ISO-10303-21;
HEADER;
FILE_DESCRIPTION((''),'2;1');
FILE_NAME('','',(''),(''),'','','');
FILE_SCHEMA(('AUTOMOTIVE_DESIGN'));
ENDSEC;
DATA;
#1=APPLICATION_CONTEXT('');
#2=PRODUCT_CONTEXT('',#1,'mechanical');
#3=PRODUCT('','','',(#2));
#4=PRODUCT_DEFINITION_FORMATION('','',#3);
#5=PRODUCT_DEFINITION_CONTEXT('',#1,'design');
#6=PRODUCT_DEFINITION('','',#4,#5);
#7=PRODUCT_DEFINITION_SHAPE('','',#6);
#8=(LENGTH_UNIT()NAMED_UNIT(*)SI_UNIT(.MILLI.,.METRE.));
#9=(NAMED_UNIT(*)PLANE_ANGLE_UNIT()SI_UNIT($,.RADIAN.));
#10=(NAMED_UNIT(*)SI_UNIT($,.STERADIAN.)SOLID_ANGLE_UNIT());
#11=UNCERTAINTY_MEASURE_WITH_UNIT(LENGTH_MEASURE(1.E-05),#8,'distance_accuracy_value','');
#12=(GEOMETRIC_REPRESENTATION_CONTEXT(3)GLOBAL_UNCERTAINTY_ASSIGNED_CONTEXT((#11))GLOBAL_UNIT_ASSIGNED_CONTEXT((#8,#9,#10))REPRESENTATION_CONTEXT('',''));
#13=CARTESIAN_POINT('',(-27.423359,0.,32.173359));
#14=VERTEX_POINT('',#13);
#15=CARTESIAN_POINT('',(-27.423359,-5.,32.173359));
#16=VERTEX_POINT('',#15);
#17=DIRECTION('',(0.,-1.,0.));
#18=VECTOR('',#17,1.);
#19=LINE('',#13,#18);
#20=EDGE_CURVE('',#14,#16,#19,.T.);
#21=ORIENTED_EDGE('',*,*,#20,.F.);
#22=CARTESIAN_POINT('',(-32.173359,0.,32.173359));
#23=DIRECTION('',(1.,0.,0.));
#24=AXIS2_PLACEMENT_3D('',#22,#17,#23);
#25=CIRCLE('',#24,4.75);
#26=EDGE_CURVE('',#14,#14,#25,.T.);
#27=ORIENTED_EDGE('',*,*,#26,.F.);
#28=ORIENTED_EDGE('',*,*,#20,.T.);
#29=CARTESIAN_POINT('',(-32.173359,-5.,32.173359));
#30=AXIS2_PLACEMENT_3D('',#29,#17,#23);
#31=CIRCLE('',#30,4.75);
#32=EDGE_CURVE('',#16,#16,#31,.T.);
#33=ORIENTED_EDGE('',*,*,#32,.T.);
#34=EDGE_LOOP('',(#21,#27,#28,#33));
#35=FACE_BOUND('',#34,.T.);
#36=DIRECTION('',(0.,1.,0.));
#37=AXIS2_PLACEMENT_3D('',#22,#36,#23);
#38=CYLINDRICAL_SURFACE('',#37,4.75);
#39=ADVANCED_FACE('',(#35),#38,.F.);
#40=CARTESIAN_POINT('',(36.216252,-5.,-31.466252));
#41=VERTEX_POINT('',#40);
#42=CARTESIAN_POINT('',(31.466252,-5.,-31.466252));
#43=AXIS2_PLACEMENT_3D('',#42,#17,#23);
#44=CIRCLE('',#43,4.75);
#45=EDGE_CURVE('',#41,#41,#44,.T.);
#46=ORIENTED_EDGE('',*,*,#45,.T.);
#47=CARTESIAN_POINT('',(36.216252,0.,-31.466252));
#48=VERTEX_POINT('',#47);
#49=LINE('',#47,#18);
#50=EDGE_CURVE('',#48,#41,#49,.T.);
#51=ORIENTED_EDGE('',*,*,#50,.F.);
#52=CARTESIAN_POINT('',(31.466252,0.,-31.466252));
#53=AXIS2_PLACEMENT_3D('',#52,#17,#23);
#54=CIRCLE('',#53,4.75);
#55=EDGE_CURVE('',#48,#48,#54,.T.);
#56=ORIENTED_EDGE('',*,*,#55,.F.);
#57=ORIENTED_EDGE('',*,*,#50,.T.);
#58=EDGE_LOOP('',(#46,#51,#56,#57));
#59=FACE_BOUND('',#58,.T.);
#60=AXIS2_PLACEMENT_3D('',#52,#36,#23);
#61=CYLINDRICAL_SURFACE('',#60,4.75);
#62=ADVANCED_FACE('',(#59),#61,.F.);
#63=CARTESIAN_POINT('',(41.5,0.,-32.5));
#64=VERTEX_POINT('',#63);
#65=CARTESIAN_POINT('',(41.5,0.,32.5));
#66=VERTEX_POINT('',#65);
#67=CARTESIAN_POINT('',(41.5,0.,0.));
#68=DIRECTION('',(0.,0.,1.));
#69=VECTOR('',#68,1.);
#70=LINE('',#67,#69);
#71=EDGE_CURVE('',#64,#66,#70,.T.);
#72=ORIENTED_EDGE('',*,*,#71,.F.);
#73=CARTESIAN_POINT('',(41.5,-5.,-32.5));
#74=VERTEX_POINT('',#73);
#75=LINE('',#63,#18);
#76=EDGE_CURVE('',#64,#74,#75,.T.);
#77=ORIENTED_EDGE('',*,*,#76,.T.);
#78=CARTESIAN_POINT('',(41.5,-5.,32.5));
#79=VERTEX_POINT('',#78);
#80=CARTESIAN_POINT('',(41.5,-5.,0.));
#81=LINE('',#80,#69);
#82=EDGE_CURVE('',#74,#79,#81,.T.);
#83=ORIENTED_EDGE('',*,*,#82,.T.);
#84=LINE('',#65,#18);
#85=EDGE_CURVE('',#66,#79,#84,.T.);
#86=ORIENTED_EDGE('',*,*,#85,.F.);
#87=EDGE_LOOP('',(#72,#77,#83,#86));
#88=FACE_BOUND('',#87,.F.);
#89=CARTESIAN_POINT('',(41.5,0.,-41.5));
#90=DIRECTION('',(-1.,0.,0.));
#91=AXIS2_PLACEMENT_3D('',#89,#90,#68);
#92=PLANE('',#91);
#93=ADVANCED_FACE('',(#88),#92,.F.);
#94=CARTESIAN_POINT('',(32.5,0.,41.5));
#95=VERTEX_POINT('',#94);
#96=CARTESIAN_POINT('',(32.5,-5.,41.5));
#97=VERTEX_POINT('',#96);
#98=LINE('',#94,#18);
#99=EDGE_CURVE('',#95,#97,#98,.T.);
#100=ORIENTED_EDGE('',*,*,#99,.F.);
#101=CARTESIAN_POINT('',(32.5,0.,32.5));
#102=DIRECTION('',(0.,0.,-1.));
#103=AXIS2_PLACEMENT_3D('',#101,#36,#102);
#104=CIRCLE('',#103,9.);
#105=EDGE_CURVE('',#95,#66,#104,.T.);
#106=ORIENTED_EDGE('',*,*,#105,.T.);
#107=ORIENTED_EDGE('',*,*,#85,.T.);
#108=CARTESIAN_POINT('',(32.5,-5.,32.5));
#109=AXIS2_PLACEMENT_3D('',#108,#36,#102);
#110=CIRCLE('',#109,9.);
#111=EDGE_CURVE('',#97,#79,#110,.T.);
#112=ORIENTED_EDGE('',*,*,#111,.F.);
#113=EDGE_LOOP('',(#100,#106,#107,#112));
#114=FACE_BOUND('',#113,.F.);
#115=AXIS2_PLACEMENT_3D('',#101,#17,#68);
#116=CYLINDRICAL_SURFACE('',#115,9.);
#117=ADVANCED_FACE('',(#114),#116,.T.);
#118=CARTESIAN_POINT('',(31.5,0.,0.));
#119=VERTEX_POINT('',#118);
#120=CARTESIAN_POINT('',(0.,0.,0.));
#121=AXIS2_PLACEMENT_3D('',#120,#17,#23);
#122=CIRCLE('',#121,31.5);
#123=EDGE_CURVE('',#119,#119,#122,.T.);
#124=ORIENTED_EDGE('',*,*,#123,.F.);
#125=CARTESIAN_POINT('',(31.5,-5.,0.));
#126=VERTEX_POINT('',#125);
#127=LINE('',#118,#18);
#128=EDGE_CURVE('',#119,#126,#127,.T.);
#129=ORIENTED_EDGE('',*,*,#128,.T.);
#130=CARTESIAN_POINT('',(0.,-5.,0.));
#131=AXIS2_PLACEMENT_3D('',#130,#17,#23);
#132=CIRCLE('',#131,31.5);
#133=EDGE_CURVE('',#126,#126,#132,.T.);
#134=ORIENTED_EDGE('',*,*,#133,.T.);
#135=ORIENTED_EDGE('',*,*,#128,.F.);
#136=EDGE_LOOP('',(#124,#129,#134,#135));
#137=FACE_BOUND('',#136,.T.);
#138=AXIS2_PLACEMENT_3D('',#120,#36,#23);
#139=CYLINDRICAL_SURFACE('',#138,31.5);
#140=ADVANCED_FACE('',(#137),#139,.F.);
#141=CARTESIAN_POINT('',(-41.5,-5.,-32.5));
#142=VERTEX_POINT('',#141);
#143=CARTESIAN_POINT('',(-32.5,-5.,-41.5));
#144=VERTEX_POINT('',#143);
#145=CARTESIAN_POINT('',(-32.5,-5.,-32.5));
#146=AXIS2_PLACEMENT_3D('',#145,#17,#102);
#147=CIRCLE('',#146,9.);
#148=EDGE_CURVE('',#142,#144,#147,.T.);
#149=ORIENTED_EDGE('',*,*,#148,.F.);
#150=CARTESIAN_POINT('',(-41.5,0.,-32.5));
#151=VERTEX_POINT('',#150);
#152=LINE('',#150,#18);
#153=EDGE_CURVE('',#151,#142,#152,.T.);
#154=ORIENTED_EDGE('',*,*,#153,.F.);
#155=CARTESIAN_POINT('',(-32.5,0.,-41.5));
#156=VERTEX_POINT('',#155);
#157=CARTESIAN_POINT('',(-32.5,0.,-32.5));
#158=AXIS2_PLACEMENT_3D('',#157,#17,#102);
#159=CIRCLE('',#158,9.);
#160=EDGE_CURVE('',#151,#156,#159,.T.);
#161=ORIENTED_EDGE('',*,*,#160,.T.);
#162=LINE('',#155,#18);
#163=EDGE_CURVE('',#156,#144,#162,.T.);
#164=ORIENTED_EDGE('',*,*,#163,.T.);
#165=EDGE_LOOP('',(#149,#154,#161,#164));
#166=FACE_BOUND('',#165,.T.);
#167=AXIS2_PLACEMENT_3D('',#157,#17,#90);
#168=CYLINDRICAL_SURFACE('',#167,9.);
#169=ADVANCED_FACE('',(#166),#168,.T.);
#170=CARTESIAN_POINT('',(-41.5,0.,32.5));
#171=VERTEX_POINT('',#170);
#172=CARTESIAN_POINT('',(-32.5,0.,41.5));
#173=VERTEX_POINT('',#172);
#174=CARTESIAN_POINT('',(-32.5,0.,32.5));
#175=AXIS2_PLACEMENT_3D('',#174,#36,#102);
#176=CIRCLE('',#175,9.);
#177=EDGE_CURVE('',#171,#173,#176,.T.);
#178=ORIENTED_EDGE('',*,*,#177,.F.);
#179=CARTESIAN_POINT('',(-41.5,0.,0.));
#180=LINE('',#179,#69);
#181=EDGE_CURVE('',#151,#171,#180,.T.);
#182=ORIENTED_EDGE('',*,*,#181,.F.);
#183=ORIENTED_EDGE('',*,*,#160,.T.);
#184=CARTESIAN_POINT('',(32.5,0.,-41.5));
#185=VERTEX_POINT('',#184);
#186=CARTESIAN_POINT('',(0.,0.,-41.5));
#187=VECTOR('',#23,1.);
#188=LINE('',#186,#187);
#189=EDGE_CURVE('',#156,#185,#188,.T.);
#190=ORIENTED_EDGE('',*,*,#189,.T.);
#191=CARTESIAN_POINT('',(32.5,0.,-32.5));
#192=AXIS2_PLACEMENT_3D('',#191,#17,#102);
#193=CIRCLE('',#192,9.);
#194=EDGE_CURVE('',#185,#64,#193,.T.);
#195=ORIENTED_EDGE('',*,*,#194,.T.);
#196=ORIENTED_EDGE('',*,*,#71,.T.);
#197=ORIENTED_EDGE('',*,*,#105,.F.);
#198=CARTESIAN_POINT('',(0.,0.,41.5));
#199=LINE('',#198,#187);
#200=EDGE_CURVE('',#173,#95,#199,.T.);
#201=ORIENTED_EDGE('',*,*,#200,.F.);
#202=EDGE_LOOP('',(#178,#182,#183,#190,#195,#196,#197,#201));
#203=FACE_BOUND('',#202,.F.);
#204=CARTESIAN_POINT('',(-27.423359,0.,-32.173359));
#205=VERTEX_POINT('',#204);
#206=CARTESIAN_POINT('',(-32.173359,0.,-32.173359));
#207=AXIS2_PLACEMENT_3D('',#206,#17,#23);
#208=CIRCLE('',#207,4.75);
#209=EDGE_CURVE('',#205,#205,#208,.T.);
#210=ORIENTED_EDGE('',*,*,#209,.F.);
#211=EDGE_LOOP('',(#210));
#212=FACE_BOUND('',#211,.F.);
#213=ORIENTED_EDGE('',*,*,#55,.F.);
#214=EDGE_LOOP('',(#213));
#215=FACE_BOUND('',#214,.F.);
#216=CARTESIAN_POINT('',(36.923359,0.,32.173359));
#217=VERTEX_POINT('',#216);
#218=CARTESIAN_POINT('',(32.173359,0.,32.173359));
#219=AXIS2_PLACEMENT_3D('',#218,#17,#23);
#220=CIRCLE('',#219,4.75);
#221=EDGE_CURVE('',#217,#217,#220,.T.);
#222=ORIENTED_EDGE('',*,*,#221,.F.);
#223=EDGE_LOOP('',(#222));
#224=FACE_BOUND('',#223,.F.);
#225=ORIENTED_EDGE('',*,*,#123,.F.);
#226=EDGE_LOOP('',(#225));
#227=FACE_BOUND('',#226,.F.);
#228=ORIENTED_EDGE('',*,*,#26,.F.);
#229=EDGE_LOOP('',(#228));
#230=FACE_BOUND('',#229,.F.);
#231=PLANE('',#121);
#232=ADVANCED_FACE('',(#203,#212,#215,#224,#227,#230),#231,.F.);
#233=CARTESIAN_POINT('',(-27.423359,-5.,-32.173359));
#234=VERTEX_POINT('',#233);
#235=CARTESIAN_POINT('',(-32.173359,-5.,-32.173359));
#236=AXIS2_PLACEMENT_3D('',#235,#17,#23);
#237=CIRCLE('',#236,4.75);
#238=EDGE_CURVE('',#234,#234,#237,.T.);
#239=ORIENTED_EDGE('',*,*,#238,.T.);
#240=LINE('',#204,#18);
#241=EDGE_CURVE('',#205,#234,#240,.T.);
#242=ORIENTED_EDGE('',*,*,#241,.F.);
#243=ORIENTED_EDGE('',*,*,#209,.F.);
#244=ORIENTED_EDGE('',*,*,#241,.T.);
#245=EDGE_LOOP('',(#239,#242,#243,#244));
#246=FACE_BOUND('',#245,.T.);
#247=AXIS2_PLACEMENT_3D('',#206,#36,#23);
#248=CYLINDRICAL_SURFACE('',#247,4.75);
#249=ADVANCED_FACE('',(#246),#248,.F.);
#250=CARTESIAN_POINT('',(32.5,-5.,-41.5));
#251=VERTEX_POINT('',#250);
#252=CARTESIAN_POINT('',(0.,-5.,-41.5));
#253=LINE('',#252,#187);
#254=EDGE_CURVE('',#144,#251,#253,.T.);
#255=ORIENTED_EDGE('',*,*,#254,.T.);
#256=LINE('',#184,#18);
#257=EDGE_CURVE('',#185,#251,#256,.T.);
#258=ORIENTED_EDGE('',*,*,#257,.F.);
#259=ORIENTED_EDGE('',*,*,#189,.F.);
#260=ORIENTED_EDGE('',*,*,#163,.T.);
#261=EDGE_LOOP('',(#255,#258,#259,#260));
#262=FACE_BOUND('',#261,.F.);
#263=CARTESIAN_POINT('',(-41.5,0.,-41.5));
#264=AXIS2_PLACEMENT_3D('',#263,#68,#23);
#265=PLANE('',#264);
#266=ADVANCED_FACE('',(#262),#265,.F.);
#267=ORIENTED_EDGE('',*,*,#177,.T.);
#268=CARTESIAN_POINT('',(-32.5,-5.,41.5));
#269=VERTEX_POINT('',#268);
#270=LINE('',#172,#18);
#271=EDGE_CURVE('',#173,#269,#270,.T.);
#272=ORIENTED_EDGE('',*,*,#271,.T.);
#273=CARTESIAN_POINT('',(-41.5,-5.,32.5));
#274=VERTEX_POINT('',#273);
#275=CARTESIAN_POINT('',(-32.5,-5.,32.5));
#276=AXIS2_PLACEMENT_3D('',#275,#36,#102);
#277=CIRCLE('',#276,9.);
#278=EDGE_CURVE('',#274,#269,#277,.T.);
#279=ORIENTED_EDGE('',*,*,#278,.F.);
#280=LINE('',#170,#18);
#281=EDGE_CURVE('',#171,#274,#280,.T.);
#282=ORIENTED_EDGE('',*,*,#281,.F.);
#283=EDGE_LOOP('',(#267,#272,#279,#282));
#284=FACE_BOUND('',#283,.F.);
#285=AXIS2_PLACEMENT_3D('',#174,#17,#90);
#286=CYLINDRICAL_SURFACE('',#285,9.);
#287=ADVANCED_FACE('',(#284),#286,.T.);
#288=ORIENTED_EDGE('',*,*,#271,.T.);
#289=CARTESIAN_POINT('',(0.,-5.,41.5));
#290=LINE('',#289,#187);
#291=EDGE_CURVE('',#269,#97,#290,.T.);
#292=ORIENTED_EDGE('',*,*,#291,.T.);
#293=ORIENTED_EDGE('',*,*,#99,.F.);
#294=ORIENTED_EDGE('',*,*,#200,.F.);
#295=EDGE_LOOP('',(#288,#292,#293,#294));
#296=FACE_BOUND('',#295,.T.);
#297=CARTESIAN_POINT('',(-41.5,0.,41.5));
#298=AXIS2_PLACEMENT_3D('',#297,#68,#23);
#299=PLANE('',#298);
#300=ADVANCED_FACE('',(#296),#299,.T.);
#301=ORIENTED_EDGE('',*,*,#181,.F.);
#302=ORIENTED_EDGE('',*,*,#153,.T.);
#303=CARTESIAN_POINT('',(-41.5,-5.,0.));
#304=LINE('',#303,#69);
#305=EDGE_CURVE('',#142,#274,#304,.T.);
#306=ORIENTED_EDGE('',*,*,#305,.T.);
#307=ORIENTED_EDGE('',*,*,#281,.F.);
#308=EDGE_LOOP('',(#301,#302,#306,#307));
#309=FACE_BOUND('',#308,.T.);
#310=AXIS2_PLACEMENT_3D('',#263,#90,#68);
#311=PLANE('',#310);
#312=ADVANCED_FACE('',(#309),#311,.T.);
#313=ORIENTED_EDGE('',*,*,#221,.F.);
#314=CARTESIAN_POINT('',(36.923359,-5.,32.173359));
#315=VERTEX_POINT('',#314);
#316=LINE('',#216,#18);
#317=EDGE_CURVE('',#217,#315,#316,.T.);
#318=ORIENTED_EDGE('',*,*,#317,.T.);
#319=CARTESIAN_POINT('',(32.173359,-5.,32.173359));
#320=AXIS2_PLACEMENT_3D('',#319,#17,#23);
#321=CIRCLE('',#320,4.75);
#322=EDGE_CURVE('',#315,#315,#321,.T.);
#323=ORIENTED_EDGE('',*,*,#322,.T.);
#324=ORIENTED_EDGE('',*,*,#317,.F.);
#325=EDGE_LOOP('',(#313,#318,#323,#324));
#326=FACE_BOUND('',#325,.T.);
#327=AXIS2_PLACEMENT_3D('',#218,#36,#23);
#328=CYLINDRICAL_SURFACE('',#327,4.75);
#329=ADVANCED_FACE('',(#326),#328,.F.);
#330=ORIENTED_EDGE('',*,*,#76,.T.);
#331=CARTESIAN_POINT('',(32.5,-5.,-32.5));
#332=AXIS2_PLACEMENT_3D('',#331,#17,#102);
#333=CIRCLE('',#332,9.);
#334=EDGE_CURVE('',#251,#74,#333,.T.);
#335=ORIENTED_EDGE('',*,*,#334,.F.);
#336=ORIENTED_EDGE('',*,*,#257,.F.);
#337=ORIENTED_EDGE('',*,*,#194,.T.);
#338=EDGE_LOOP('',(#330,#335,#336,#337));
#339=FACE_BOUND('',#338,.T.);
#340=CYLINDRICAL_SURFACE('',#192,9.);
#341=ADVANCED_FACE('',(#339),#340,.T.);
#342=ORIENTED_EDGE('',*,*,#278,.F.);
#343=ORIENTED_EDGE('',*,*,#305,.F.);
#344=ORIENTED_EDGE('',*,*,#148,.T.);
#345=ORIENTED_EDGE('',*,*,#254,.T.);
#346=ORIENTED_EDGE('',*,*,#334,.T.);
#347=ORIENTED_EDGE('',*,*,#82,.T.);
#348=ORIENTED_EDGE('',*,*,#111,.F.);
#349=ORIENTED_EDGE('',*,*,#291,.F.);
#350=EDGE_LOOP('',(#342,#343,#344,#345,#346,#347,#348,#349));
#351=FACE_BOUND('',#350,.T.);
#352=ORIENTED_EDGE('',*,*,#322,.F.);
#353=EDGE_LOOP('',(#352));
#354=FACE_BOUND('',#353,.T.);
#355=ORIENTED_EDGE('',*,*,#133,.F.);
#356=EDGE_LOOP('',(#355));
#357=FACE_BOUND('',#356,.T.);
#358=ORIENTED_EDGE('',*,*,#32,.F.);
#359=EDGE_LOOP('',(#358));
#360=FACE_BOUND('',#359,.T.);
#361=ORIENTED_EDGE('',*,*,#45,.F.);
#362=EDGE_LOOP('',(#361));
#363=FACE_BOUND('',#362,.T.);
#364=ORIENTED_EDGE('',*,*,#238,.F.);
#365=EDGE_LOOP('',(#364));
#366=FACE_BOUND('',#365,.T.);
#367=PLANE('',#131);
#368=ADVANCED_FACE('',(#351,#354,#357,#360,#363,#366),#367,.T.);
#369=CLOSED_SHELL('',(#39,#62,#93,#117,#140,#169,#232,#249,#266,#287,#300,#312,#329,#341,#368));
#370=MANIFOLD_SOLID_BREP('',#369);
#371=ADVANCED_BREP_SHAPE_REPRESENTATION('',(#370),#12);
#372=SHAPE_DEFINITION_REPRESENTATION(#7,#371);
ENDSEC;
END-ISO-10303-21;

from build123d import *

# Parameters (mm, degrees)
F0_W     = 83
F0_H     = 83
F0_R     = 4.75
F0_R_2   = 31.5
F1_DEPTH = 5
F2_R     = 9


with BuildPart() as f1:
    # F0 (on Front) → F1 (new body)
    with BuildSketch(Plane.XZ):
        Rectangle(F0_W, F0_H)
        with Locations((-32.173359, -32.173359)):
            Circle(F0_R, mode=Mode.SUBTRACT)
        with Locations((31.466252, -31.466252)):
            Circle(F0_R, mode=Mode.SUBTRACT)
        with Locations((-32.173359, 32.173359)):
            Circle(F0_R, mode=Mode.SUBTRACT)
        Circle(F0_R_2, mode=Mode.SUBTRACT)
        with Locations((32.173359, 32.173359)):
            Circle(F0_R, mode=Mode.SUBTRACT)
    extrude(amount=F1_DEPTH)

    # F2
    f2_edges = [f1.edges().sort_by_distance(p)[0] for p in [
        (41.5, -2.5, -41.5),
        (-41.5, -2.5, -41.5),
        (41.5, -2.5, 41.5),
        (-41.5, -2.5, 41.5),
    ]]
    fillet(f2_edges, radius=F2_R)


solid = f1.part
